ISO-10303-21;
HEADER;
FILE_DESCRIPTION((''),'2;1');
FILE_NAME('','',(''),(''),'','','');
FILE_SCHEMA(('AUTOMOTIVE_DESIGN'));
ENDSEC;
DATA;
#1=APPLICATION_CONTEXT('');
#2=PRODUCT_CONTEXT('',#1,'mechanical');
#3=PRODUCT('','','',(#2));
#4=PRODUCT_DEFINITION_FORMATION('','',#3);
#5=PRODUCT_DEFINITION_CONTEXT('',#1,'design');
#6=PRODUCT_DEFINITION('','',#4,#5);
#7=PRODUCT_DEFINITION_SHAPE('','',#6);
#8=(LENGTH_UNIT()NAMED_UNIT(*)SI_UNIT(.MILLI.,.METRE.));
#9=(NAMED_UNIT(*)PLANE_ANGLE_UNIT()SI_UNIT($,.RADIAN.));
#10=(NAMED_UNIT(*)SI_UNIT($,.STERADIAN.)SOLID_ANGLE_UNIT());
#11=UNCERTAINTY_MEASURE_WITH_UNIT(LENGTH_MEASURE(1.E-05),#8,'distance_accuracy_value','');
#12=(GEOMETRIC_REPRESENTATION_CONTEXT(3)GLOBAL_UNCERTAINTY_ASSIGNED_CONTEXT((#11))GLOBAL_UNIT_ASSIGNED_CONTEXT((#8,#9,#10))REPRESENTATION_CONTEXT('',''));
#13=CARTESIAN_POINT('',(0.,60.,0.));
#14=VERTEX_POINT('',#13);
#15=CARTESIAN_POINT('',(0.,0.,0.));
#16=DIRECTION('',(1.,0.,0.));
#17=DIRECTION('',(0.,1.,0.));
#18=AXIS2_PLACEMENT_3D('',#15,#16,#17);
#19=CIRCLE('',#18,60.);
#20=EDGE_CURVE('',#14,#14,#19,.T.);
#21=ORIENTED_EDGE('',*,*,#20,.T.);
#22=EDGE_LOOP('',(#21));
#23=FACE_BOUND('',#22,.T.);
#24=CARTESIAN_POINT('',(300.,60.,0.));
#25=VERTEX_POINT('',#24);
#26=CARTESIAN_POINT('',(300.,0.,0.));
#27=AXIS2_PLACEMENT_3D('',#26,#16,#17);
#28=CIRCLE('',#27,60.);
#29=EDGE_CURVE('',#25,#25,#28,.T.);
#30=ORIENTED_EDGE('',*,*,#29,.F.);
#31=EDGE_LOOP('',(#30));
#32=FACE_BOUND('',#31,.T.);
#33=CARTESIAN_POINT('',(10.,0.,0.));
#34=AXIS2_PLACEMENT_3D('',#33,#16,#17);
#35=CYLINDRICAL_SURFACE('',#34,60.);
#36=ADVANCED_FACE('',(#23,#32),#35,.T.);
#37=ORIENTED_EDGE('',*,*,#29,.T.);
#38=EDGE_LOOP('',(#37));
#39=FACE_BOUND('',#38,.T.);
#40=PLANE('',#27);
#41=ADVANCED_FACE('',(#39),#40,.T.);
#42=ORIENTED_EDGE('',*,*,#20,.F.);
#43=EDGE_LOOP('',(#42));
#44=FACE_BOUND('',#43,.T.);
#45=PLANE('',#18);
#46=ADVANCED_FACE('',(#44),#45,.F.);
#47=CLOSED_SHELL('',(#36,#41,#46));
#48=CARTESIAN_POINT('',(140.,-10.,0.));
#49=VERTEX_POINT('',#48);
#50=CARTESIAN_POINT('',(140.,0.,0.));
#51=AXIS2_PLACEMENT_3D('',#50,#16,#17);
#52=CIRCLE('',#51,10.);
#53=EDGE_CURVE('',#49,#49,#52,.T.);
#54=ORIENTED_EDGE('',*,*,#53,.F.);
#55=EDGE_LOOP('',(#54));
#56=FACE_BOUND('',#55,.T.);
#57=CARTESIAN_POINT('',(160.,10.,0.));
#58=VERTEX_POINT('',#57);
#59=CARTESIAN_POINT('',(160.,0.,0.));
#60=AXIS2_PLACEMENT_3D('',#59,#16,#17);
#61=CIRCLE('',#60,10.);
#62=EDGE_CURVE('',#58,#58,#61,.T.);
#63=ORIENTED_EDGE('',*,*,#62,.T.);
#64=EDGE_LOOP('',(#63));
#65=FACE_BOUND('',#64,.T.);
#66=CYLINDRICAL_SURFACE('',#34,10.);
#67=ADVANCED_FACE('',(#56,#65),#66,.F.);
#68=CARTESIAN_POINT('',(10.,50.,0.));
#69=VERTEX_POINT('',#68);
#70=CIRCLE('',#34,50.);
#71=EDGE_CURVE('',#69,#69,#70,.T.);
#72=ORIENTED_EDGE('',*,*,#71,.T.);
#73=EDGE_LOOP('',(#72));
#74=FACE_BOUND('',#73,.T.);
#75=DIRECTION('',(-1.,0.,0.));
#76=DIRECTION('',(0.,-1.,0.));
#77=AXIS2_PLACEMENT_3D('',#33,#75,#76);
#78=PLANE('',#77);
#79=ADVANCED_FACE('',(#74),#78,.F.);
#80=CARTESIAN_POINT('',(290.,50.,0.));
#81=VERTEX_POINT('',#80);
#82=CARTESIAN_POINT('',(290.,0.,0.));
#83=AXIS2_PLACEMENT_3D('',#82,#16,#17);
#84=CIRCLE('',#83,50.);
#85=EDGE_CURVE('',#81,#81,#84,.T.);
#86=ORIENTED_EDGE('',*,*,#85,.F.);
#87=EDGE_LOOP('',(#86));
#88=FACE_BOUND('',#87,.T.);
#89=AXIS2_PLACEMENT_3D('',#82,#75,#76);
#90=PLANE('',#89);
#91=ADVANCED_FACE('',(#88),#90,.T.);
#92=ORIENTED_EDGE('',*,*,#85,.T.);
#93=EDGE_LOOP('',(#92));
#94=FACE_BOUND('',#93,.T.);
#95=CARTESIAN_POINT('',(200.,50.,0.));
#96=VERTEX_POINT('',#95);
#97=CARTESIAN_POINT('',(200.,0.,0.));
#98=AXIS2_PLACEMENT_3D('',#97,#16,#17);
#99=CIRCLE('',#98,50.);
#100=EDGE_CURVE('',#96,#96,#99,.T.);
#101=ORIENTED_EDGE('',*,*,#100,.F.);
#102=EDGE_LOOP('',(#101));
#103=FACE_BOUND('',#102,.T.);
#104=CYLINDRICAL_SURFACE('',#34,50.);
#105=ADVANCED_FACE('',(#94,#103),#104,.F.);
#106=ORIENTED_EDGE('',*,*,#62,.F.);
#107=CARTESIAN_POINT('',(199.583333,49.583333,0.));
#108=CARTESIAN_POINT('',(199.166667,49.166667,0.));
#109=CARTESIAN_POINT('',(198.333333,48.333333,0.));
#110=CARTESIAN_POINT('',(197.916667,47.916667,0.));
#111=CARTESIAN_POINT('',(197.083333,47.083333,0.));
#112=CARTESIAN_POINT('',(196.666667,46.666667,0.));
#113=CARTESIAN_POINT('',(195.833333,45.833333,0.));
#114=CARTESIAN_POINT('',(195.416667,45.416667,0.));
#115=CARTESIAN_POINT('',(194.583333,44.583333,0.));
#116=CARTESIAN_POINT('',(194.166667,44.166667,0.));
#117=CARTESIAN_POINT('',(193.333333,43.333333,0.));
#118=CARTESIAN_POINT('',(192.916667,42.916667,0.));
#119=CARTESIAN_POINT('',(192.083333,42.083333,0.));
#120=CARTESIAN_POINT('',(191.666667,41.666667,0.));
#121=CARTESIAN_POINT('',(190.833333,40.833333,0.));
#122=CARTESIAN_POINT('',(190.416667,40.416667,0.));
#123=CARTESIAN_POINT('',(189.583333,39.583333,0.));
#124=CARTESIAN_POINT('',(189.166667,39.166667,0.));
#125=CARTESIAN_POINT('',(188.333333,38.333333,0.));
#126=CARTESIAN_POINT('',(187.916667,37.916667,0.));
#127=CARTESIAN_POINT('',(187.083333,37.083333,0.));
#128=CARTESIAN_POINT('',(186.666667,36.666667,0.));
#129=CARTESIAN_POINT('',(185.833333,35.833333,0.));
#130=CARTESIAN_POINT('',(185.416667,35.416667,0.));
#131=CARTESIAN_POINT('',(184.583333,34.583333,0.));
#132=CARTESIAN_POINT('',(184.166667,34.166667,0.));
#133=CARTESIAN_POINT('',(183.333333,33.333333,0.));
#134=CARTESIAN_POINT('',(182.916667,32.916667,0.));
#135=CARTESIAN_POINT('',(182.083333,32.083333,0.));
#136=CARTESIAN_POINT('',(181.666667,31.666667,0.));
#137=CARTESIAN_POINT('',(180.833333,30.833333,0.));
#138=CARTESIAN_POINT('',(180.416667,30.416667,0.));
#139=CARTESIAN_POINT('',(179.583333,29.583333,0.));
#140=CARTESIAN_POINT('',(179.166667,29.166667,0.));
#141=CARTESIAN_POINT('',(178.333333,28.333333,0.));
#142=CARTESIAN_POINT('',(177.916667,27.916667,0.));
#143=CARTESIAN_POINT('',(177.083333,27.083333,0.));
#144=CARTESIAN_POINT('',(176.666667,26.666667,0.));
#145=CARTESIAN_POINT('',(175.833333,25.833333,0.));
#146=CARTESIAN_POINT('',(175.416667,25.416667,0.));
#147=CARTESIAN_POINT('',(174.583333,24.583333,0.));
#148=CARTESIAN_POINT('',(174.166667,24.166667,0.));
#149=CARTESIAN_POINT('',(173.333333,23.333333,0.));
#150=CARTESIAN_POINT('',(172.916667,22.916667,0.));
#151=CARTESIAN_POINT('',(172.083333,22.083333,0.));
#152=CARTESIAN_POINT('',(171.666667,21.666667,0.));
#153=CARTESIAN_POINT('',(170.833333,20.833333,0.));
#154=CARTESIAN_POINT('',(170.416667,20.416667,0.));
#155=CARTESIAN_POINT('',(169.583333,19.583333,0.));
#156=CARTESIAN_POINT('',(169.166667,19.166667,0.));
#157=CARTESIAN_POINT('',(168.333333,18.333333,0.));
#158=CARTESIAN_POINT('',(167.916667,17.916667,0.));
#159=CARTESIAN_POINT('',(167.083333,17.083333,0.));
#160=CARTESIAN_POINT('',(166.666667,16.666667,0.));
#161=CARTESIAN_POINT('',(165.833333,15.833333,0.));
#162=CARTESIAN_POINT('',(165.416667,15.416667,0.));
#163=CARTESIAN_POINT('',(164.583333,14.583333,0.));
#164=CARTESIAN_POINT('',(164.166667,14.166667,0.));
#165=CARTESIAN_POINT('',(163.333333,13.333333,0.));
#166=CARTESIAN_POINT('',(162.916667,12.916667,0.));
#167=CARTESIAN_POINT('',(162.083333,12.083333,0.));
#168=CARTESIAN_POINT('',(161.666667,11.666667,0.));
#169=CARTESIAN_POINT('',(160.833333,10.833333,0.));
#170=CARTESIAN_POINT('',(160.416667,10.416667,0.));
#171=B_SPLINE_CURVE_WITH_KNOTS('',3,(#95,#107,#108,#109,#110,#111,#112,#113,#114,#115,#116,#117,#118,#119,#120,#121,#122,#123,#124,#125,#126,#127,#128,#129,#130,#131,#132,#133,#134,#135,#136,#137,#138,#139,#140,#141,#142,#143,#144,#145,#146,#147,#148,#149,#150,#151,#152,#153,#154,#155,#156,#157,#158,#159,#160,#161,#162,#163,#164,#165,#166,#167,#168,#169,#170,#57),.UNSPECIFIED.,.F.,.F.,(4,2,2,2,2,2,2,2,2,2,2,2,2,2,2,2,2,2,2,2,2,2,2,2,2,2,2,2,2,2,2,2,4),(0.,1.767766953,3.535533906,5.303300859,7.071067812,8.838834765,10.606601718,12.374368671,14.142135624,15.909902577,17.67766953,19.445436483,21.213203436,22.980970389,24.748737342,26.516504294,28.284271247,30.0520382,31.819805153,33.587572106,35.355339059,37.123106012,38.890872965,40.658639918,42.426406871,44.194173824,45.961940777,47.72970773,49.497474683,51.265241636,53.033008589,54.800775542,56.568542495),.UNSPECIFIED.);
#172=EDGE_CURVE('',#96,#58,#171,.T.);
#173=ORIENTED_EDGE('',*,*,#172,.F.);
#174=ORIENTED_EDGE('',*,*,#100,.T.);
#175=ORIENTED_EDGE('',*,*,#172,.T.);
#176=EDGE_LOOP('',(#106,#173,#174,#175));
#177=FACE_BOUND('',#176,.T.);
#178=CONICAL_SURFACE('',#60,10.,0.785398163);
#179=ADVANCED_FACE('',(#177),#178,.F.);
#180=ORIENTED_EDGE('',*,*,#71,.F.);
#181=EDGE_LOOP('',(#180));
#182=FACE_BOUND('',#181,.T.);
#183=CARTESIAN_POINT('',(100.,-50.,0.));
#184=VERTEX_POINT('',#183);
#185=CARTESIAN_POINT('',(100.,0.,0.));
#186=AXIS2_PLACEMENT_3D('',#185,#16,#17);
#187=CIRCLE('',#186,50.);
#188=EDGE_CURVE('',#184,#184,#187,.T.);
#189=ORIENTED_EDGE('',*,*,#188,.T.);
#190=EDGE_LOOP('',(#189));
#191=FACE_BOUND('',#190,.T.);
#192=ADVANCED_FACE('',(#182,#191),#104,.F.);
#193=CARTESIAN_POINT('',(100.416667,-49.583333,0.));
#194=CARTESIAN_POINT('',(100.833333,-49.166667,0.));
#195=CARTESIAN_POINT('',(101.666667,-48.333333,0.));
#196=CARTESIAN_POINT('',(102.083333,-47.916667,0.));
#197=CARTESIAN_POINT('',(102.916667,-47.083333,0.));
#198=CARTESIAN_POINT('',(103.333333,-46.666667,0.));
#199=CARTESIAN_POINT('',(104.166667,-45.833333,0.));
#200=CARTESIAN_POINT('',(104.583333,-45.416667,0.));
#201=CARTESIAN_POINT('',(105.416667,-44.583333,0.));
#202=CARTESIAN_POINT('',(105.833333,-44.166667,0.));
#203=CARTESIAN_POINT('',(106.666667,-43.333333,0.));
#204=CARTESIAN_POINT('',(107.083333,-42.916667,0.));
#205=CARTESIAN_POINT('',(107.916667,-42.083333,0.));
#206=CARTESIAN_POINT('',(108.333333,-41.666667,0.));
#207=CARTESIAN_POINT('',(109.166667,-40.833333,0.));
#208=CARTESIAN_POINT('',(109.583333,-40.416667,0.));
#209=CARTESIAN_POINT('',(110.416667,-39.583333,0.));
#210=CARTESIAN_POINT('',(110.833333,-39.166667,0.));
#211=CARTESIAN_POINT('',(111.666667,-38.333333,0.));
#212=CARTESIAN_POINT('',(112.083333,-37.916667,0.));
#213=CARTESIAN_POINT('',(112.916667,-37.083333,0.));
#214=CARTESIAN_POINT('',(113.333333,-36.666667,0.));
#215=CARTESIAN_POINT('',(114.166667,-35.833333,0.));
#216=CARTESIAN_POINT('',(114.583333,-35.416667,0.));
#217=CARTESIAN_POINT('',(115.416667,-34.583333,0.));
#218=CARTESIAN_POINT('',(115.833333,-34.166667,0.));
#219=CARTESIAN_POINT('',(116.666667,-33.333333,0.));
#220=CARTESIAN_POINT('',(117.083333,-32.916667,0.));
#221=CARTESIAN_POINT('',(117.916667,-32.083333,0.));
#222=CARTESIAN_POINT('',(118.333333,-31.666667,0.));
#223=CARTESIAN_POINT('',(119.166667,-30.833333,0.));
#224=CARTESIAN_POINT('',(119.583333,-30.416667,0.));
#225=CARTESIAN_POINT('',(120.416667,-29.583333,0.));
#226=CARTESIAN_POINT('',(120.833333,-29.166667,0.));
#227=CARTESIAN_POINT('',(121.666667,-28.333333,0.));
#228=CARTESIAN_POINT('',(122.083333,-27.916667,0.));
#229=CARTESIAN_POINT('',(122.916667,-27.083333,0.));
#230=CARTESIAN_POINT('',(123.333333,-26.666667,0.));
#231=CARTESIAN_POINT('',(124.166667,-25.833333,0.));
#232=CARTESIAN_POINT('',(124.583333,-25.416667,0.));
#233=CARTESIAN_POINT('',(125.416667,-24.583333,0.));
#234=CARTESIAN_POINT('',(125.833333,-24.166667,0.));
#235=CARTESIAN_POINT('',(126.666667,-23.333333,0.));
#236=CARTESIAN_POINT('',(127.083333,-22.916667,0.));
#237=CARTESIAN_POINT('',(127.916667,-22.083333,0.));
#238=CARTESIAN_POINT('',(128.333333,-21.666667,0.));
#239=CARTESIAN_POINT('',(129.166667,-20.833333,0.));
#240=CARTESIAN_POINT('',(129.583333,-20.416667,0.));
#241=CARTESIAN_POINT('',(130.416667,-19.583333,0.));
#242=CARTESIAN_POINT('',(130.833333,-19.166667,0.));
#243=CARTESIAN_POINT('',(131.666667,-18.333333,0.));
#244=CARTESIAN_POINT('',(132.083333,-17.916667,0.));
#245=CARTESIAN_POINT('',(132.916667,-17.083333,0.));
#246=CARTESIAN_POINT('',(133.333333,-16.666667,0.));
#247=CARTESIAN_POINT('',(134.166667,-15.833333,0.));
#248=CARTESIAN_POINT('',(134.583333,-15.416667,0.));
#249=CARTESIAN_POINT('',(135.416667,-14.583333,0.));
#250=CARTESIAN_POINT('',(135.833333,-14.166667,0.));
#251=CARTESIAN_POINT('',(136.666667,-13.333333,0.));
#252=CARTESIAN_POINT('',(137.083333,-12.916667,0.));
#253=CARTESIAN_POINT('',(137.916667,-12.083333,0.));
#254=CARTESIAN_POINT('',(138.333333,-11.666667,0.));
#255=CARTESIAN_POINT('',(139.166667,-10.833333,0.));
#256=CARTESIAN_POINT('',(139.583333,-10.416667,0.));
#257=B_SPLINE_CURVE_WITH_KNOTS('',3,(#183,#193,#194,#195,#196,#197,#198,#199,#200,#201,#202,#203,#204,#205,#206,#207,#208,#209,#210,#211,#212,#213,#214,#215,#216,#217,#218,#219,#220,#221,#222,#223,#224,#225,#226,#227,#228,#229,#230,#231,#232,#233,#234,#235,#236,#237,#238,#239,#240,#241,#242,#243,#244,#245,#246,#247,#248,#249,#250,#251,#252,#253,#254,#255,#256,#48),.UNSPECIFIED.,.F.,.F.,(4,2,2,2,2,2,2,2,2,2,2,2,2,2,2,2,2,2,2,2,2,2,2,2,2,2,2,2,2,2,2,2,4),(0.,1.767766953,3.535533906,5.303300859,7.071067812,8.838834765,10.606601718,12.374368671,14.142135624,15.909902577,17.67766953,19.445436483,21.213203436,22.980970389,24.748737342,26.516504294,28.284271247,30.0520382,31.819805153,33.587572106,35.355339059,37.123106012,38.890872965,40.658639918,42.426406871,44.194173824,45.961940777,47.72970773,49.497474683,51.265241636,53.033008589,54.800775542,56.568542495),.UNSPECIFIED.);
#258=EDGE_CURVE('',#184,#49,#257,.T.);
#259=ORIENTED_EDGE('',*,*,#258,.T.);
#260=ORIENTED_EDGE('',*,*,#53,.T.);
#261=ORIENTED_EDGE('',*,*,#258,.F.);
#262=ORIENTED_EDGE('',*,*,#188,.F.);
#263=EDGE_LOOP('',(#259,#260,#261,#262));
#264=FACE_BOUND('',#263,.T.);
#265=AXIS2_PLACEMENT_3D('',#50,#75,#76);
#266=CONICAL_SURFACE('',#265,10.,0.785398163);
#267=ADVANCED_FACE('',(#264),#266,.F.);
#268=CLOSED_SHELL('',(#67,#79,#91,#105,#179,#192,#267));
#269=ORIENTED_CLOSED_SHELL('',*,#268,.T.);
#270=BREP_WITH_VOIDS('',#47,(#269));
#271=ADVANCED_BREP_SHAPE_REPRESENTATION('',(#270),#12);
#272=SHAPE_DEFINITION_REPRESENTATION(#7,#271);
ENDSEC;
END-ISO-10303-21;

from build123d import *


with BuildPart() as part:
    # ｽｹｯﾁ1 → 回転1 (revolve)
    with BuildSketch(Plane.XY, mode=Mode.PRIVATE) as revolve_1_sk:
        Polygon((10, 0), (0, 0), (0, -60), (150, -60), (150, -10), (140, -10), (100, -50), (10, -50), align=None)
        Polygon((150, -10), (150, -60), (300, -60), (300, 0), (290, 0), (290, -50), (200, -50), (160, -10), align=None)
    revolve(revolve_1_sk.sketch.rotate(Axis((10, 0, 0), (-1, 0, 0)), 180), axis=Axis((10, 0, 0), (-1, 0, 0)))


solid = part.part
